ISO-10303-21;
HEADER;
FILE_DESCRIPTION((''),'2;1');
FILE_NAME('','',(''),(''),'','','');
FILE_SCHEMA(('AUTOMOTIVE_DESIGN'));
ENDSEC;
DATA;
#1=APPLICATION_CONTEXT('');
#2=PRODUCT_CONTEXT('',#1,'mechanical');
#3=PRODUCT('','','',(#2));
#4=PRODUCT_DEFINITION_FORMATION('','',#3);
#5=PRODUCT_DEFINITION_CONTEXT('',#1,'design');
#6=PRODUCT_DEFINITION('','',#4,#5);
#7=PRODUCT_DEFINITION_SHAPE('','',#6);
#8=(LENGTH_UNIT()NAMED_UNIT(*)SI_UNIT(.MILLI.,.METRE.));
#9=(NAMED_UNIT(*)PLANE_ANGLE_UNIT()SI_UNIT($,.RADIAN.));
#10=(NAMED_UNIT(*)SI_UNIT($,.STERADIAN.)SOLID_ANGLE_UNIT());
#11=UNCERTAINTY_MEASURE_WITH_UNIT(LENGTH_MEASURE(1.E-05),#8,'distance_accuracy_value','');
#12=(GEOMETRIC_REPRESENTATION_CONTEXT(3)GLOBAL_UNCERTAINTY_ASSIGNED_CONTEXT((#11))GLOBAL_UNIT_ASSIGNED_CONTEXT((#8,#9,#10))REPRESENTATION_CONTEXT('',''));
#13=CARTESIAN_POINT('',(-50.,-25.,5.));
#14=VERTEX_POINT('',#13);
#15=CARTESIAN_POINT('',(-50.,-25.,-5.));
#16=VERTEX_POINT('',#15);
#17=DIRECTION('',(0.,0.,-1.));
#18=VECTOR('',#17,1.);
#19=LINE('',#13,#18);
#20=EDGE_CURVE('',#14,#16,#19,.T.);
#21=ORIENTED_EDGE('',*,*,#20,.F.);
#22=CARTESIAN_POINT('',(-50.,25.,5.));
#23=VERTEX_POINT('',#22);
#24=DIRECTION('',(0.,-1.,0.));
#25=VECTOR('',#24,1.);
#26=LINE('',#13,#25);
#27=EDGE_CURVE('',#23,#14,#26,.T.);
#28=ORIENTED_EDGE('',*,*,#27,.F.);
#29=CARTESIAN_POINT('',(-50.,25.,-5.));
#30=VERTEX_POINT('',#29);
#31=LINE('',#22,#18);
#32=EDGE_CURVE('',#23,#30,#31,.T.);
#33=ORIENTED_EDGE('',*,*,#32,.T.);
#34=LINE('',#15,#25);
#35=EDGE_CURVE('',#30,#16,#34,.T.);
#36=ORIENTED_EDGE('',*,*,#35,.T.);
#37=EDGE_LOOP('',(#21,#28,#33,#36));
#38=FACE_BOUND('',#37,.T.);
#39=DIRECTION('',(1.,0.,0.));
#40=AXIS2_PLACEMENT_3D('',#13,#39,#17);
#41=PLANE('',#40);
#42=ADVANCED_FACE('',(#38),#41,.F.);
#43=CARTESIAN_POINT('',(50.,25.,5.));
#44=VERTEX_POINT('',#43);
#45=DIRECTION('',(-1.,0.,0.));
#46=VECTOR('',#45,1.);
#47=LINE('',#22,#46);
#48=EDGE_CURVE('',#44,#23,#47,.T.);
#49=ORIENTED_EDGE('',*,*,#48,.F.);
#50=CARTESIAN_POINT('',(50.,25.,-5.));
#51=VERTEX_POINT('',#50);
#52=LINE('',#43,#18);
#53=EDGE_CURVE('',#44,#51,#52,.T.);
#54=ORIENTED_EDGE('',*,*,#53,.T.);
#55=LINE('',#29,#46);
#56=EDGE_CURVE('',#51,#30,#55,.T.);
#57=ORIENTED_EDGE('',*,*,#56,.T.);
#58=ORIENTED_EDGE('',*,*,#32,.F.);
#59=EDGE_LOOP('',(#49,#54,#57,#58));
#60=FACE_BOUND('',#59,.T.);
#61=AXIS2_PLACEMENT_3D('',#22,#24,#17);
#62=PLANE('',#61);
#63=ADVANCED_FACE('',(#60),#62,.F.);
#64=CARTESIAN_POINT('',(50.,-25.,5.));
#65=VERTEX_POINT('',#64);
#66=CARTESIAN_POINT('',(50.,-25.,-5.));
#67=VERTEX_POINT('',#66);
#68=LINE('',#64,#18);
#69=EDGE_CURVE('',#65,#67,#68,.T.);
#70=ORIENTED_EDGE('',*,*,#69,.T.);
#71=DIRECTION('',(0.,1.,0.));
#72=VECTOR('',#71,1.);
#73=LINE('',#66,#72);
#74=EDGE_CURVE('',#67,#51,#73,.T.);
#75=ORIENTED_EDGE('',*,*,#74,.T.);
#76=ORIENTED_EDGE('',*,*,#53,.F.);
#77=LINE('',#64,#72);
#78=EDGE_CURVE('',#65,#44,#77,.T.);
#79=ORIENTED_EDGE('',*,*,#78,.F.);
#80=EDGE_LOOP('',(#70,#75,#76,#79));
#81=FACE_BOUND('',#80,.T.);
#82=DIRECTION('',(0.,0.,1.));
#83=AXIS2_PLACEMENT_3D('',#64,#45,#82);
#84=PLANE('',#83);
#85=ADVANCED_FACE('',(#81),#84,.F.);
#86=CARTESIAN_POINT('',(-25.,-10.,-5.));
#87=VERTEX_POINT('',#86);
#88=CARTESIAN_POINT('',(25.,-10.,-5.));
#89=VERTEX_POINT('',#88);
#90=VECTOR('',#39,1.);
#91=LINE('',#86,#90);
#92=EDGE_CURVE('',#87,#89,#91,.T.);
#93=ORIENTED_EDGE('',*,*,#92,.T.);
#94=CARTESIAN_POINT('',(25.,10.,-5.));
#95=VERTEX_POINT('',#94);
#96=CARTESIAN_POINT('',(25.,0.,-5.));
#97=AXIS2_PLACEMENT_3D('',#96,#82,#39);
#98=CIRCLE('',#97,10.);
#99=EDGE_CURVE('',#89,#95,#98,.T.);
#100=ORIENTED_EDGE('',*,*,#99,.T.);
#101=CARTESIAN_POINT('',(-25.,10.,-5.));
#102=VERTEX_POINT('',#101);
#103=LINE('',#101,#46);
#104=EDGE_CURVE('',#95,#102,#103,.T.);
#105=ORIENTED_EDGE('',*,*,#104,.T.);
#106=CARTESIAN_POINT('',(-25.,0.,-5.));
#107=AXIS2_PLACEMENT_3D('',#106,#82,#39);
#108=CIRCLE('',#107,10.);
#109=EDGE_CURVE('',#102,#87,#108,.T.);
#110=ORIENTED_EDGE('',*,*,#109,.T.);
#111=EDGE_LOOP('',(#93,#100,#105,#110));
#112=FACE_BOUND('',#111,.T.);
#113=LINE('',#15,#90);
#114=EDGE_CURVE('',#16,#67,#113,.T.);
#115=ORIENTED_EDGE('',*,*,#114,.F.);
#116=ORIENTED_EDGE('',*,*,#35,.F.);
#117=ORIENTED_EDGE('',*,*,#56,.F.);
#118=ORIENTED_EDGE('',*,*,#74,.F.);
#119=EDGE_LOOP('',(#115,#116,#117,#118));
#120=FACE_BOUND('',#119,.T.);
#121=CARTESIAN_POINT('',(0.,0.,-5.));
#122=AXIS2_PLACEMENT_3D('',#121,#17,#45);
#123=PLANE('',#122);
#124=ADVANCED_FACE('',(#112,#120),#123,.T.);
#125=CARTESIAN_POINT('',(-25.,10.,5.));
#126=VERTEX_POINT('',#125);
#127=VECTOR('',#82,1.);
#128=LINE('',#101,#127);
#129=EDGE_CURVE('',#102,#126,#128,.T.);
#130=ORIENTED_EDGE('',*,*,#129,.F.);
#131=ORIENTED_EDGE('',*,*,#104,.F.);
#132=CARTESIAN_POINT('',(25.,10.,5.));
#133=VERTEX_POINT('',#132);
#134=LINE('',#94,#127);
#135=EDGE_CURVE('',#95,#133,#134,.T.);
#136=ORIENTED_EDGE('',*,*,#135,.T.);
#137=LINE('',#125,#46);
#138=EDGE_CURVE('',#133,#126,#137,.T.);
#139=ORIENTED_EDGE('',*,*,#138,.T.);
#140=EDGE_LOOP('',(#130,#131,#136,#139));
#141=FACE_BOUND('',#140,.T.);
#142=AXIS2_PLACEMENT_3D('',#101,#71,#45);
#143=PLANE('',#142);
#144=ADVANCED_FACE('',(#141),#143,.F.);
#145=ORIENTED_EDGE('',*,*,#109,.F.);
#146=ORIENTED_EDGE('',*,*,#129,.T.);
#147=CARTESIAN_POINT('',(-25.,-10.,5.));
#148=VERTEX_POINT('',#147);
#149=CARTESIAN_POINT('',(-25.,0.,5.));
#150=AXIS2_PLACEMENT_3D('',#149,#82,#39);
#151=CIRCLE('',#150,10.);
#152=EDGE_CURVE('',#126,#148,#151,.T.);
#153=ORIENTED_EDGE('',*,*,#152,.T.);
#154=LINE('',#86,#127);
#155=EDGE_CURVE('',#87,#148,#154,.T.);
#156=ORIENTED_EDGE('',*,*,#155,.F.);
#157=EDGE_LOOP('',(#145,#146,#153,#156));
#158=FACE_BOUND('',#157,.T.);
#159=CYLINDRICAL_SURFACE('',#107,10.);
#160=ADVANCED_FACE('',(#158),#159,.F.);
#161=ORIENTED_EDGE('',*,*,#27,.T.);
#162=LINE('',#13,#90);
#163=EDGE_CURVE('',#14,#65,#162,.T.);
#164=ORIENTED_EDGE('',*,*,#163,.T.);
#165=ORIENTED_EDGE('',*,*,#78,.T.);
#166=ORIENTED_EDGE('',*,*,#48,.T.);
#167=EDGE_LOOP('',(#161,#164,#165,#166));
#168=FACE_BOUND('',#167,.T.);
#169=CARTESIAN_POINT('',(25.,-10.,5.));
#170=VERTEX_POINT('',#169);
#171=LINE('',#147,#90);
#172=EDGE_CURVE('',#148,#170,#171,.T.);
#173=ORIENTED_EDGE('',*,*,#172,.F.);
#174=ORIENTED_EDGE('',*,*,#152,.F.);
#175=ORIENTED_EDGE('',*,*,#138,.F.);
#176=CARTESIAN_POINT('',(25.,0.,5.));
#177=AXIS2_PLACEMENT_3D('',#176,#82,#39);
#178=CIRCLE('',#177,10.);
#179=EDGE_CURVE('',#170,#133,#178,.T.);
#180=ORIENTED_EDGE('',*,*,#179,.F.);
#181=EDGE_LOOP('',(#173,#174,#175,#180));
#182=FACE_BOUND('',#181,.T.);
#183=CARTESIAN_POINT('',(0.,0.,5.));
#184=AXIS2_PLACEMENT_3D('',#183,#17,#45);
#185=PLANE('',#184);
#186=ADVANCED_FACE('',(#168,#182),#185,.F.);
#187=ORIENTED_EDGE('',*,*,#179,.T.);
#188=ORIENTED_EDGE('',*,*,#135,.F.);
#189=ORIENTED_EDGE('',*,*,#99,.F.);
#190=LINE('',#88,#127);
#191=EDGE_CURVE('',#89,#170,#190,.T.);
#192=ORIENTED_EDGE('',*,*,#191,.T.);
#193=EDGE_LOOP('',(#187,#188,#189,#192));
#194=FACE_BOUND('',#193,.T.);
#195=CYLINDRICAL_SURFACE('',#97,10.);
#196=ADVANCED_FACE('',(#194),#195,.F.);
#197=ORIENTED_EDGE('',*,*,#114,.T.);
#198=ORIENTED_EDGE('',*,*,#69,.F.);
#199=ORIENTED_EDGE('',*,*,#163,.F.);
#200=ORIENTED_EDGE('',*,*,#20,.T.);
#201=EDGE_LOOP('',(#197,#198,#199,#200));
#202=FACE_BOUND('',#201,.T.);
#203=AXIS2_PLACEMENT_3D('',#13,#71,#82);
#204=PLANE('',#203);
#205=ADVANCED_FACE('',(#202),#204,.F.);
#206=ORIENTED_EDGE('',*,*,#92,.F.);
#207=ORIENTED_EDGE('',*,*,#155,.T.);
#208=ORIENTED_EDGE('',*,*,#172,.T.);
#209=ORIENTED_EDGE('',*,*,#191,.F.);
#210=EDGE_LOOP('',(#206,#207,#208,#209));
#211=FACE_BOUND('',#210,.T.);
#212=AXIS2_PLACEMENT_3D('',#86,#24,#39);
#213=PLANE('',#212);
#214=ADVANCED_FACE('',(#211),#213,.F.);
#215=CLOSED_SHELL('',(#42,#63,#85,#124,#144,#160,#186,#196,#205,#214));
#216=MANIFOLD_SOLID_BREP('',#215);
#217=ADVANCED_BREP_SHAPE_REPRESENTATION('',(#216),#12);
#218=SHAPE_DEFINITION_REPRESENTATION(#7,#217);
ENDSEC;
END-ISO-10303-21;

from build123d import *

# Parameters (mm, degrees)
SKETCH2_W       = 100
SKETCH2_H       = 50
BOX_DEPTH       = 5
HOLE_DEPTH      = 6
HOLE_DEPTH_BACK = 6


with BuildPart() as part:
    # Sketch2 → Box (new body, symmetric)
    with BuildSketch(Plane.XY):
        Rectangle(SKETCH2_W, SKETCH2_H)
    extrude(amount=BOX_DEPTH, both=True)

    # Sketch3 → Hole (cut, two sides)
    with BuildSketch(Plane.XY) as hole_sk:
        with BuildLine():
            Line((-25, 10), (25, 10))
            ThreePointArc((25, 10), (35, 0), (25, -10))
            Line((25, -10), (-25, -10))
            ThreePointArc((-25, -10), (-35, 0), (-25, 10))
        make_face()
    extrude(amount=HOLE_DEPTH, mode=Mode.SUBTRACT)
    extrude(hole_sk.sketch, amount=-HOLE_DEPTH_BACK, mode=Mode.SUBTRACT)


solid = part.part
